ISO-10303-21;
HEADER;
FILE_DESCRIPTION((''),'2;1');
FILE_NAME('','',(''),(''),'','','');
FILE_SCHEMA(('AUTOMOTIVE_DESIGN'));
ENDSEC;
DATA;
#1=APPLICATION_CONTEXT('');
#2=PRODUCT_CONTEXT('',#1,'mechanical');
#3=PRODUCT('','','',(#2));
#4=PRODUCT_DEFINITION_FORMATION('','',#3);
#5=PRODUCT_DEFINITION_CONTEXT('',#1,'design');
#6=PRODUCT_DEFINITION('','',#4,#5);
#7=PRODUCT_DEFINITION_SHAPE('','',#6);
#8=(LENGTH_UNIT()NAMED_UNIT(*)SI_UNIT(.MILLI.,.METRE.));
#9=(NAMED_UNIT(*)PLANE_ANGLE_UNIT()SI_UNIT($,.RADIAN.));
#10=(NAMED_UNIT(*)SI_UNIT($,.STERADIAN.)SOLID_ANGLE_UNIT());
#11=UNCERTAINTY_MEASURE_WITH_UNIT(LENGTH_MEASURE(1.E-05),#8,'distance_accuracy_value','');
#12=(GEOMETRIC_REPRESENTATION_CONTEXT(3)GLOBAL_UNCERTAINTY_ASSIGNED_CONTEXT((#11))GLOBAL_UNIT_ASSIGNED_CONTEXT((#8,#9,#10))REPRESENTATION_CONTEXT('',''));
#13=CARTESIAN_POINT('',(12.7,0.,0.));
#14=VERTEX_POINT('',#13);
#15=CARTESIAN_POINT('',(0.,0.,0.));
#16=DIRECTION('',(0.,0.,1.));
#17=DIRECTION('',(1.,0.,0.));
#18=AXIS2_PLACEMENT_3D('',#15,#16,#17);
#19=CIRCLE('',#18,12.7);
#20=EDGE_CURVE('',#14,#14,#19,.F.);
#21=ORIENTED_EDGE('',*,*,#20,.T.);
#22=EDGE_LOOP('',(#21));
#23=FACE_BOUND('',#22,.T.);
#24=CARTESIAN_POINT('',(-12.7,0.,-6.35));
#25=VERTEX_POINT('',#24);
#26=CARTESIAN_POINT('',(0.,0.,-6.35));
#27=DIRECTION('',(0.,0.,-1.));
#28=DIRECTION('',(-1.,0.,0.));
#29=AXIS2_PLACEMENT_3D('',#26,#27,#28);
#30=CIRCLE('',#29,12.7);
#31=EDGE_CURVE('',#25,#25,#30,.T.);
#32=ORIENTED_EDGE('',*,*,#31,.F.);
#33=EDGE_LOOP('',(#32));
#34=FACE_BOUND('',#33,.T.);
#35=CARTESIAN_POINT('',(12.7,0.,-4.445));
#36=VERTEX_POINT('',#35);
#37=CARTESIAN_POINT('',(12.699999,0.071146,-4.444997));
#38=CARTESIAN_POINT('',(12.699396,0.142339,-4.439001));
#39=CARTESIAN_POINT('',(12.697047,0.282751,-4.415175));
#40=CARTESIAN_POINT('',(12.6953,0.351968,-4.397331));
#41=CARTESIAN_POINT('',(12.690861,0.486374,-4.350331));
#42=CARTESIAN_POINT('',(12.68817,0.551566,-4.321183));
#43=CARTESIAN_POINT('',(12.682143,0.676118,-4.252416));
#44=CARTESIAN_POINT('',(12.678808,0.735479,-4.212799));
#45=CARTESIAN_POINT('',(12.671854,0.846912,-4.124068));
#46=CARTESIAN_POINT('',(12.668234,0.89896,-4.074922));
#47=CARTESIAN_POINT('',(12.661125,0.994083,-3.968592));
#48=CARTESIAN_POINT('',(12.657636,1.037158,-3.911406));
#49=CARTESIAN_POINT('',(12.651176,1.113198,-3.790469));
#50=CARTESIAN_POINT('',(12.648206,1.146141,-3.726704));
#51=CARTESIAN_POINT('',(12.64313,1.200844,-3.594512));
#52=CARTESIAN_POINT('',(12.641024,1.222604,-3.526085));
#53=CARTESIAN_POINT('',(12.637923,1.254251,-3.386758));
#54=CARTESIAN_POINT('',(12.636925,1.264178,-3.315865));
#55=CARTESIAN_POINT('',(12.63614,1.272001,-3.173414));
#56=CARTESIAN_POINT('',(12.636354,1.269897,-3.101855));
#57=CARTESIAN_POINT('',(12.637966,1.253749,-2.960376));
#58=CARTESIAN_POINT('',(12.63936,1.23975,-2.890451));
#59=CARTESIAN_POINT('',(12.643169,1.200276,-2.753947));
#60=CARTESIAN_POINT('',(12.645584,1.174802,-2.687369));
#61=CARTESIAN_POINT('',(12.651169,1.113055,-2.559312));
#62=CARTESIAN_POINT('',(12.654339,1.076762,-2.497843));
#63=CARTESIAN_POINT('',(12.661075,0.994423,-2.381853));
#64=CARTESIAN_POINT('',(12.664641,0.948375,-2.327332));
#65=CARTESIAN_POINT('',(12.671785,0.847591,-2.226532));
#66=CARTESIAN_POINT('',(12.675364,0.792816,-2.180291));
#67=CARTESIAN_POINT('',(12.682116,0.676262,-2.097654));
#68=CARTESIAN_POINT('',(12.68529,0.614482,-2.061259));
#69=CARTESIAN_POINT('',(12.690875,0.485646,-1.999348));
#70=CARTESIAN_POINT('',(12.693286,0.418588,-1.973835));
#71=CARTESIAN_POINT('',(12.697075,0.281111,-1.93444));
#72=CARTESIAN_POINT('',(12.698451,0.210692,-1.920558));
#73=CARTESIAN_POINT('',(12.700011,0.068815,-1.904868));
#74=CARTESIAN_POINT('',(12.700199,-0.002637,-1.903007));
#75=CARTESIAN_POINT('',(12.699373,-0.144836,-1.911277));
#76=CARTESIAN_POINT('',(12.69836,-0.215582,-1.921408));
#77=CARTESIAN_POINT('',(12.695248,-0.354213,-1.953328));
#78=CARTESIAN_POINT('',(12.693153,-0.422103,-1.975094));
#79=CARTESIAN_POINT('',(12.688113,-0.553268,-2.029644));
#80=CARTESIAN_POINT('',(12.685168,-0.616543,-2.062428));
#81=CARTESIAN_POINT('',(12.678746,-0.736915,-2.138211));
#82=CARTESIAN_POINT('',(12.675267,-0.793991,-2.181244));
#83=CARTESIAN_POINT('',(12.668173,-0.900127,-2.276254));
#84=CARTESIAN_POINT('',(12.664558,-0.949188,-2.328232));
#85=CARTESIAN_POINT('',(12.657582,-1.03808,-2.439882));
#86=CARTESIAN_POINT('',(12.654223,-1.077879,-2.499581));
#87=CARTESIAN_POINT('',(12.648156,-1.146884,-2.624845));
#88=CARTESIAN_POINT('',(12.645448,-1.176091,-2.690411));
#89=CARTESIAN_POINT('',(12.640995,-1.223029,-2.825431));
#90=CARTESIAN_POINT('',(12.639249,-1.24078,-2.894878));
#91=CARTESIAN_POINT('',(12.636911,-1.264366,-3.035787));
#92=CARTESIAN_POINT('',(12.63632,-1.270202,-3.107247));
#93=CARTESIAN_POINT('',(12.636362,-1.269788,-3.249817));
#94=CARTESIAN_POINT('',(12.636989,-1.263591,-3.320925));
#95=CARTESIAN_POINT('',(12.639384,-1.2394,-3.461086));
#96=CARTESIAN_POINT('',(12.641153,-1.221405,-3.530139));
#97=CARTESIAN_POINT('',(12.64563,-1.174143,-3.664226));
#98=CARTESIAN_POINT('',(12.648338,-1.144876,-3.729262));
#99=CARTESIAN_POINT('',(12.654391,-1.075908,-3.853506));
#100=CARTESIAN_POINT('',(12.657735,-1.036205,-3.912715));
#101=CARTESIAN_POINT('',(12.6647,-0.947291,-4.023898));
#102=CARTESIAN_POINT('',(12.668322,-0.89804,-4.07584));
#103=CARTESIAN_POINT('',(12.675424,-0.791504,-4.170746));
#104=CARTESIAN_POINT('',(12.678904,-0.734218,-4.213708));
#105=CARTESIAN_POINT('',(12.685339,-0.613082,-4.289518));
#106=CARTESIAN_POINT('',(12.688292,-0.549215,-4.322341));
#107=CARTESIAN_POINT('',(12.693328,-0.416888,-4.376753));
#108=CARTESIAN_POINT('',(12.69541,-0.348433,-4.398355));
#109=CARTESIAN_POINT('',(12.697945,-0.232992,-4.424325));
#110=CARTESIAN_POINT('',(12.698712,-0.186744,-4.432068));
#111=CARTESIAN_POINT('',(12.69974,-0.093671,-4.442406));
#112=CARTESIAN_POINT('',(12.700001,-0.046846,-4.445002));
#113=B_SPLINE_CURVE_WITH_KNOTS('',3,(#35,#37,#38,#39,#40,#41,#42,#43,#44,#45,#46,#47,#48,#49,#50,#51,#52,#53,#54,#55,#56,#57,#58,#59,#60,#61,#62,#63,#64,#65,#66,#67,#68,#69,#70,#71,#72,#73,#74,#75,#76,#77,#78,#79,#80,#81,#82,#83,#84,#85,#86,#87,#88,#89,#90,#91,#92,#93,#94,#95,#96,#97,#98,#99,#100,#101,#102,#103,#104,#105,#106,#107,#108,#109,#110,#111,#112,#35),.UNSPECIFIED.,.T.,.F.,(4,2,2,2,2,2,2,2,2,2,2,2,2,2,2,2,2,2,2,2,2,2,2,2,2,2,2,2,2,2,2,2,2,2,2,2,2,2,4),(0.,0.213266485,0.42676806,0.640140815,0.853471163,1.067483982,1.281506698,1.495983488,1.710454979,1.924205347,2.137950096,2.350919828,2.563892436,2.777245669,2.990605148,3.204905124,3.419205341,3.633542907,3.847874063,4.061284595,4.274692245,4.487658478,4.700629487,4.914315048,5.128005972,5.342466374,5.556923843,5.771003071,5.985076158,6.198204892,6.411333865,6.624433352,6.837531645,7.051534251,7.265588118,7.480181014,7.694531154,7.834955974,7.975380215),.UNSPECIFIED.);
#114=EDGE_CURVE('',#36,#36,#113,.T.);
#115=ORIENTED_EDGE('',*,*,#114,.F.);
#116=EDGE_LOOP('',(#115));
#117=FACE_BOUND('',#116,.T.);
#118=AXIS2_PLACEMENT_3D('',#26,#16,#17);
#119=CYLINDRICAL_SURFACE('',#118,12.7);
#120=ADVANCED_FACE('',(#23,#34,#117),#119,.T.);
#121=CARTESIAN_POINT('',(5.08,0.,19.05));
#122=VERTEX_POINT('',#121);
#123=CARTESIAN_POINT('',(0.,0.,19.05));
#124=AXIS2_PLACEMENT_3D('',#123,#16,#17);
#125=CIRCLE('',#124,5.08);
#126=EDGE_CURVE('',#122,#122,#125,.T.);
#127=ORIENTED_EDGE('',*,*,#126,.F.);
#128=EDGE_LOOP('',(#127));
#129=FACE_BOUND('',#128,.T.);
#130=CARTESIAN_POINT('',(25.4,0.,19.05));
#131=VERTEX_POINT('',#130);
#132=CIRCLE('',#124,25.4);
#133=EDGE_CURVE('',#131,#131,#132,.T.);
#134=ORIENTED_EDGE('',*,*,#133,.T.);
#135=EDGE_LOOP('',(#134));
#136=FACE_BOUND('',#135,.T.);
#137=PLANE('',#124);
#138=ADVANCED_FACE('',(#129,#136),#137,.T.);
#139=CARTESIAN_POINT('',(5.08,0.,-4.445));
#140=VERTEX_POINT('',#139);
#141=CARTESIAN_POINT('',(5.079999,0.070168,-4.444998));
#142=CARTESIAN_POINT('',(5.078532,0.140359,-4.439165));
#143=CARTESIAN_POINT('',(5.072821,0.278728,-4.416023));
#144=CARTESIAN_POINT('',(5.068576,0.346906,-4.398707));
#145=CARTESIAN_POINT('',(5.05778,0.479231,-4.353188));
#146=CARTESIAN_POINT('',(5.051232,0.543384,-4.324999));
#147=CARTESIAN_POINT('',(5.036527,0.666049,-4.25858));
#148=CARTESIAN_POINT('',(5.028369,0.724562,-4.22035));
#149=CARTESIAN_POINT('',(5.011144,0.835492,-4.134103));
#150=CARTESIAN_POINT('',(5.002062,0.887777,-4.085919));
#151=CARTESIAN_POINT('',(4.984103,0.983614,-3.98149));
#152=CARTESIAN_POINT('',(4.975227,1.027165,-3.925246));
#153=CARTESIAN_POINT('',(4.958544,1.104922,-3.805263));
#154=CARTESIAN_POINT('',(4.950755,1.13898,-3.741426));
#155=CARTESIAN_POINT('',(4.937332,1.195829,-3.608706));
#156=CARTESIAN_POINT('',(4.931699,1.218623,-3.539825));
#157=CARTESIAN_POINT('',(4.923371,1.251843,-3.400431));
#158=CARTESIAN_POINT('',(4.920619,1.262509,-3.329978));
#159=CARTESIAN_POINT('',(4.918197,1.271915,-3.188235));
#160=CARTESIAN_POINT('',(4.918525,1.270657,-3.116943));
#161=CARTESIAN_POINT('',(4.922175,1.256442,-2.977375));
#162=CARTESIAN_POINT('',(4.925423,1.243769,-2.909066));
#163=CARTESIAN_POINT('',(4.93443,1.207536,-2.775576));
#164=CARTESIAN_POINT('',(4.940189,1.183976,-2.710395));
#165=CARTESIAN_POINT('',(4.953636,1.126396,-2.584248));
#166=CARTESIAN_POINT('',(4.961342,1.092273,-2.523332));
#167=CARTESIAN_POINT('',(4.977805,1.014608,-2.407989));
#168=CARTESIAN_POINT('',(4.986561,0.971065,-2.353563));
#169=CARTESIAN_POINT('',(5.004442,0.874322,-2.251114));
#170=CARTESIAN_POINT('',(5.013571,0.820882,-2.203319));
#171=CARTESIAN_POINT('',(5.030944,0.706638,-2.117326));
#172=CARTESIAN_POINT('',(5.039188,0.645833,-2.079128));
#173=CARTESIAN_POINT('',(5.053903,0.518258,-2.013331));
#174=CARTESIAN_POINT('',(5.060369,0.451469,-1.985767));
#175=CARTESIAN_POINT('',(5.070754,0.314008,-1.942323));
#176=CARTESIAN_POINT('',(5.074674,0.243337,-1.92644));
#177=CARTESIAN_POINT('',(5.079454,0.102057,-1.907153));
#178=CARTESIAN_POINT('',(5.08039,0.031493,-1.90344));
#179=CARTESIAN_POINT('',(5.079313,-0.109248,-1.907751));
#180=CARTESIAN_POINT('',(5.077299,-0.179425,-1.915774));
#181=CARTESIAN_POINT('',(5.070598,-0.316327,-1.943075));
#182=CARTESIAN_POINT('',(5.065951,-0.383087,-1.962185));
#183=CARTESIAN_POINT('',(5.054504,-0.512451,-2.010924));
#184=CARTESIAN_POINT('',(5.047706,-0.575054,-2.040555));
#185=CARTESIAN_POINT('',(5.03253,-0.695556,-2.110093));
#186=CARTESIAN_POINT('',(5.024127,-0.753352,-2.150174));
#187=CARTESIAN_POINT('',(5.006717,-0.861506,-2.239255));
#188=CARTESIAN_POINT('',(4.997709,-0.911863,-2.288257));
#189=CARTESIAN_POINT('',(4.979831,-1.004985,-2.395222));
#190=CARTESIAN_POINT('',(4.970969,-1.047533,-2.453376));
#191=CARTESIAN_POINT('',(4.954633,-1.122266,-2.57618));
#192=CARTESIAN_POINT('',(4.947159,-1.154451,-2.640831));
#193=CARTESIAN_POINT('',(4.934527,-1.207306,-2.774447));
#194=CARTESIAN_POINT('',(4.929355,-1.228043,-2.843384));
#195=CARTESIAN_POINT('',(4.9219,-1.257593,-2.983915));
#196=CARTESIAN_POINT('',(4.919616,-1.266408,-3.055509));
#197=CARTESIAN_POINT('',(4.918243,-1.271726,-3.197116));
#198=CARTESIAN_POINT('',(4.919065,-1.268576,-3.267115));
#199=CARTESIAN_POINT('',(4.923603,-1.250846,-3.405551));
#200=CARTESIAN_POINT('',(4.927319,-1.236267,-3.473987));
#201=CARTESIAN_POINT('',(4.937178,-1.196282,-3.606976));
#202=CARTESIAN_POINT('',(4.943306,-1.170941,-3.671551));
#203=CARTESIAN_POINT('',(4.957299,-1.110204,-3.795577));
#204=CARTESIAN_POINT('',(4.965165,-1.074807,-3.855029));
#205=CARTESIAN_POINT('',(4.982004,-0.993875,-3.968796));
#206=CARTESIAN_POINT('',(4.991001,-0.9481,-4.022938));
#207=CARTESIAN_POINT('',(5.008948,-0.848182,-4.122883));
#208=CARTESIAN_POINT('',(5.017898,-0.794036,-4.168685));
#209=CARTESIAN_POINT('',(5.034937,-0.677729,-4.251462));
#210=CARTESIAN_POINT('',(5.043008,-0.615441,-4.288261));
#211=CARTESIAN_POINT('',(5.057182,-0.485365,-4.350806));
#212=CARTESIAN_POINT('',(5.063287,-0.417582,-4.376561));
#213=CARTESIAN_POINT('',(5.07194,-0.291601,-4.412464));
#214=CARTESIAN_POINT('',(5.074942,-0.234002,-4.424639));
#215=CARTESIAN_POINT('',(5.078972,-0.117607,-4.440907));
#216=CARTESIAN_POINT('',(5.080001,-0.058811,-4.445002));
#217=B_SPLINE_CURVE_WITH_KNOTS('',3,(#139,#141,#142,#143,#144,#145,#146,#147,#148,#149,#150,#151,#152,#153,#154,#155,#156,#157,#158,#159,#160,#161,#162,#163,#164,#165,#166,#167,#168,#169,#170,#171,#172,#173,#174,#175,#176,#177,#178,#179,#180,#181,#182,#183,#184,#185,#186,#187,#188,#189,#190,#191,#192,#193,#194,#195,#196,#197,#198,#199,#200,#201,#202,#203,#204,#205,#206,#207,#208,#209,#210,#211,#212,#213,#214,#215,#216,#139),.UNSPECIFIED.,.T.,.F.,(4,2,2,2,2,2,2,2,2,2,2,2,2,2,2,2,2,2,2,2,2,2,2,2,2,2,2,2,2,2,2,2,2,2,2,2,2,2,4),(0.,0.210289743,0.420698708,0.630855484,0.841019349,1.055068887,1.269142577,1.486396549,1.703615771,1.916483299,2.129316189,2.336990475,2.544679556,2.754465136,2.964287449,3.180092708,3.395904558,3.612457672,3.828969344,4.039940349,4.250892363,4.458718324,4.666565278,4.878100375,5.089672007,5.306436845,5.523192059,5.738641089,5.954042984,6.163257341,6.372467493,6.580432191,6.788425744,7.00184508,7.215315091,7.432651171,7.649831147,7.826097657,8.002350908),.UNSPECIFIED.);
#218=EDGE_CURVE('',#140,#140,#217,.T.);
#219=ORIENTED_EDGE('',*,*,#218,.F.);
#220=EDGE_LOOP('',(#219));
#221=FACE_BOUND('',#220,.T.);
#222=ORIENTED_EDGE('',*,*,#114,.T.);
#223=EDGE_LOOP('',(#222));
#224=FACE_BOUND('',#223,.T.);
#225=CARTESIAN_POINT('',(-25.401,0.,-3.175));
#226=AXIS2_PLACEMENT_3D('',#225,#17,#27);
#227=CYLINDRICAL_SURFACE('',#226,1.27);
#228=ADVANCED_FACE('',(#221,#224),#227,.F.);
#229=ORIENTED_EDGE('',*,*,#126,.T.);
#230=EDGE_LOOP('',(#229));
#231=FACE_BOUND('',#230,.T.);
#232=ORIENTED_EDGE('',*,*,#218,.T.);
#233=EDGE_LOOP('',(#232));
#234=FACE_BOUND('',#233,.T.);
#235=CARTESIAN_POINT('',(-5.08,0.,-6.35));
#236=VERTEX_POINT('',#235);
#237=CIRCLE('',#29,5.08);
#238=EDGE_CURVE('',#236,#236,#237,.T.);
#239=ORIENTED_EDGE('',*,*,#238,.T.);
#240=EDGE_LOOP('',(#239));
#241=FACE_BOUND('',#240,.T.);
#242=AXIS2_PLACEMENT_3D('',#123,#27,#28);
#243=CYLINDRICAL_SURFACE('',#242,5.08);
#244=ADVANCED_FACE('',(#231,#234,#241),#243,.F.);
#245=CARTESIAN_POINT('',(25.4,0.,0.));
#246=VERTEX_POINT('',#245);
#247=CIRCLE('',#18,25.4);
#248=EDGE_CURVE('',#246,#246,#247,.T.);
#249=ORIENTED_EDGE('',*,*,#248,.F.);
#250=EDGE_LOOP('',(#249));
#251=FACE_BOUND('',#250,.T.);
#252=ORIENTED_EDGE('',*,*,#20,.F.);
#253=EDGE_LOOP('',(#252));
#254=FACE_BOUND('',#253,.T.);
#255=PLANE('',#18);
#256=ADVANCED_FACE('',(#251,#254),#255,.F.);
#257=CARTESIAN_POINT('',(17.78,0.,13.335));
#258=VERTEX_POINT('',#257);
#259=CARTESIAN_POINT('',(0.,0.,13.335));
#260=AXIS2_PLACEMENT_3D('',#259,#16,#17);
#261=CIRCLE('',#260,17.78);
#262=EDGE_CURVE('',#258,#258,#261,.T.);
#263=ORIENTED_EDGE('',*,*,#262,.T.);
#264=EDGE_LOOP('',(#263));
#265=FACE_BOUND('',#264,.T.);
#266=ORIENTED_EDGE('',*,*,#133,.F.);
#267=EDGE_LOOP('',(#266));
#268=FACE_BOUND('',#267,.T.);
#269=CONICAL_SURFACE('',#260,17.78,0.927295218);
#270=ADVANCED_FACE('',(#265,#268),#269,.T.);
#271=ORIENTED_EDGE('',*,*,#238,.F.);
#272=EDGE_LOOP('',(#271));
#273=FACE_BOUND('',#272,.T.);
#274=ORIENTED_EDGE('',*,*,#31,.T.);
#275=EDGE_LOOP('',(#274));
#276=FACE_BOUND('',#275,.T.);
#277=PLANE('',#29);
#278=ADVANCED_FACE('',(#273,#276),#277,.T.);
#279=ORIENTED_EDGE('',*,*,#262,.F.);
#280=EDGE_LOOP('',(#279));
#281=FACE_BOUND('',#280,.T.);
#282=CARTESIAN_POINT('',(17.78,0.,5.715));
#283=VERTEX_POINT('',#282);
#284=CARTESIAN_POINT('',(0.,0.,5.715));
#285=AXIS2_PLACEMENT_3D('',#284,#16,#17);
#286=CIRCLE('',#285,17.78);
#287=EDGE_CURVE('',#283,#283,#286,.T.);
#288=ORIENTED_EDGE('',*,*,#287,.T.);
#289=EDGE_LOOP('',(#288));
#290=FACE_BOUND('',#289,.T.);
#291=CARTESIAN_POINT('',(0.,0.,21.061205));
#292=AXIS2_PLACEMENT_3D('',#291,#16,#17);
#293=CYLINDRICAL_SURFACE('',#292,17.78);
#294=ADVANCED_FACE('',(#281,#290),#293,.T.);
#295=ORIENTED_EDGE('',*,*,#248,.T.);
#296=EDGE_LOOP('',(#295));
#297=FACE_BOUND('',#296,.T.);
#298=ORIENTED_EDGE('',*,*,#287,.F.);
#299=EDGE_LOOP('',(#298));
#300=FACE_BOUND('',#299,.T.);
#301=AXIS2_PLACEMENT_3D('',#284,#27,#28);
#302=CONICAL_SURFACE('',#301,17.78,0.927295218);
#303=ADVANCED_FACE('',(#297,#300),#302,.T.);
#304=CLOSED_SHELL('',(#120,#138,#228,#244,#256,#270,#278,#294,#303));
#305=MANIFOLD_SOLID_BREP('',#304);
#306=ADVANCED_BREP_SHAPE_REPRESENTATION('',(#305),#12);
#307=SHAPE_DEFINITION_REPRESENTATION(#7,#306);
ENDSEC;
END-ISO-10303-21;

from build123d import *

# Parameters (mm, degrees)
SKETCH1_R               = 25.4
SKETCH1_R_2             = 5.08
BOSS_EXTRUDE1_DEPTH     = 19.05
BOSS_EXTRUDE2_START     = 6.35
SKETCH4_R               = 12.7
SKETCH4_R_2             = 5.08
BOSS_EXTRUDE2_DEPTH     = 6.35
CUT_EXTRUDE1_REACH      = 51.595
CUT_EXTRUDE1_END_RADIUS = 5.08
SKETCH5_R               = 1.27


with BuildPart() as part:
    # Sketch1 → Boss-Extrude1 (new body)
    with BuildSketch(Plane.XY):
        with Locations(Location((0, 0, 0), (0, 0, 180))):
            Circle(SKETCH1_R)
        with Locations(Location((0, 0, 0), (0, 0, 180))):
            Circle(SKETCH1_R_2, mode=Mode.SUBTRACT)
    extrude(amount=BOSS_EXTRUDE1_DEPTH)

    # Sketch3 → Cut-Revolve1 (revolve, cut)
    with BuildSketch(Plane(origin=(0, 0, 0), x_dir=(0, 0, -1), z_dir=(1, 0, 0)), mode=Mode.PRIVATE) as cut_revolve1_sk:
        Polygon((0, 25.4), (0, 34.911662418), (-19.05, 34.911662418), (-19.05, 25.4), (-13.335, 17.78), (-5.715, 17.78), align=None)
    revolve(cut_revolve1_sk.sketch.rotate(Axis((0, 0, 21.061205324), (0, 0, -1)), 90), axis=Axis((0, 0, 21.061205324), (0, 0, -1)), mode=Mode.SUBTRACT)

    # Sketch4 → Boss-Extrude2 (add)
    with BuildSketch(Plane(origin=(0, 0, 0), x_dir=(-1, 0, 0), z_dir=(0, 0, -1)).offset(BOSS_EXTRUDE2_START)):
        with Locations(Location((0, 0, 0), (0, 0, 180))):
            Circle(SKETCH4_R)
        Circle(SKETCH4_R_2, mode=Mode.SUBTRACT)
    extrude(amount=-BOSS_EXTRUDE2_DEPTH)

    # Cut-Extrude1: up to this cylinder (the profile starts outside it)
    cut_extrude1_end = Plane(origin=(0, 0, -3.175), z_dir=(0, 0, -1)) * Cylinder(CUT_EXTRUDE1_END_RADIUS, 114.35, mode=Mode.PRIVATE)
    # Sketch5 → Cut-Extrude1 (cut, up to the surface)
    with BuildSketch(Plane(origin=(12.7, 0, 0), x_dir=(0, 0, -1), z_dir=(1, 0, 0)), mode=Mode.PRIVATE) as cut_extrude1_sk1:
        with Locations((3.175, 0)):
            Circle(SKETCH5_R)
    cut_extrude1_tool1 = extrude(cut_extrude1_sk1.sketch, amount=-CUT_EXTRUDE1_REACH, mode=Mode.PRIVATE) - cut_extrude1_end
    add(cut_extrude1_tool1.solids().sort_by_distance((12.7, 0, -3.175))[0], mode=Mode.SUBTRACT)


solid = part.part
